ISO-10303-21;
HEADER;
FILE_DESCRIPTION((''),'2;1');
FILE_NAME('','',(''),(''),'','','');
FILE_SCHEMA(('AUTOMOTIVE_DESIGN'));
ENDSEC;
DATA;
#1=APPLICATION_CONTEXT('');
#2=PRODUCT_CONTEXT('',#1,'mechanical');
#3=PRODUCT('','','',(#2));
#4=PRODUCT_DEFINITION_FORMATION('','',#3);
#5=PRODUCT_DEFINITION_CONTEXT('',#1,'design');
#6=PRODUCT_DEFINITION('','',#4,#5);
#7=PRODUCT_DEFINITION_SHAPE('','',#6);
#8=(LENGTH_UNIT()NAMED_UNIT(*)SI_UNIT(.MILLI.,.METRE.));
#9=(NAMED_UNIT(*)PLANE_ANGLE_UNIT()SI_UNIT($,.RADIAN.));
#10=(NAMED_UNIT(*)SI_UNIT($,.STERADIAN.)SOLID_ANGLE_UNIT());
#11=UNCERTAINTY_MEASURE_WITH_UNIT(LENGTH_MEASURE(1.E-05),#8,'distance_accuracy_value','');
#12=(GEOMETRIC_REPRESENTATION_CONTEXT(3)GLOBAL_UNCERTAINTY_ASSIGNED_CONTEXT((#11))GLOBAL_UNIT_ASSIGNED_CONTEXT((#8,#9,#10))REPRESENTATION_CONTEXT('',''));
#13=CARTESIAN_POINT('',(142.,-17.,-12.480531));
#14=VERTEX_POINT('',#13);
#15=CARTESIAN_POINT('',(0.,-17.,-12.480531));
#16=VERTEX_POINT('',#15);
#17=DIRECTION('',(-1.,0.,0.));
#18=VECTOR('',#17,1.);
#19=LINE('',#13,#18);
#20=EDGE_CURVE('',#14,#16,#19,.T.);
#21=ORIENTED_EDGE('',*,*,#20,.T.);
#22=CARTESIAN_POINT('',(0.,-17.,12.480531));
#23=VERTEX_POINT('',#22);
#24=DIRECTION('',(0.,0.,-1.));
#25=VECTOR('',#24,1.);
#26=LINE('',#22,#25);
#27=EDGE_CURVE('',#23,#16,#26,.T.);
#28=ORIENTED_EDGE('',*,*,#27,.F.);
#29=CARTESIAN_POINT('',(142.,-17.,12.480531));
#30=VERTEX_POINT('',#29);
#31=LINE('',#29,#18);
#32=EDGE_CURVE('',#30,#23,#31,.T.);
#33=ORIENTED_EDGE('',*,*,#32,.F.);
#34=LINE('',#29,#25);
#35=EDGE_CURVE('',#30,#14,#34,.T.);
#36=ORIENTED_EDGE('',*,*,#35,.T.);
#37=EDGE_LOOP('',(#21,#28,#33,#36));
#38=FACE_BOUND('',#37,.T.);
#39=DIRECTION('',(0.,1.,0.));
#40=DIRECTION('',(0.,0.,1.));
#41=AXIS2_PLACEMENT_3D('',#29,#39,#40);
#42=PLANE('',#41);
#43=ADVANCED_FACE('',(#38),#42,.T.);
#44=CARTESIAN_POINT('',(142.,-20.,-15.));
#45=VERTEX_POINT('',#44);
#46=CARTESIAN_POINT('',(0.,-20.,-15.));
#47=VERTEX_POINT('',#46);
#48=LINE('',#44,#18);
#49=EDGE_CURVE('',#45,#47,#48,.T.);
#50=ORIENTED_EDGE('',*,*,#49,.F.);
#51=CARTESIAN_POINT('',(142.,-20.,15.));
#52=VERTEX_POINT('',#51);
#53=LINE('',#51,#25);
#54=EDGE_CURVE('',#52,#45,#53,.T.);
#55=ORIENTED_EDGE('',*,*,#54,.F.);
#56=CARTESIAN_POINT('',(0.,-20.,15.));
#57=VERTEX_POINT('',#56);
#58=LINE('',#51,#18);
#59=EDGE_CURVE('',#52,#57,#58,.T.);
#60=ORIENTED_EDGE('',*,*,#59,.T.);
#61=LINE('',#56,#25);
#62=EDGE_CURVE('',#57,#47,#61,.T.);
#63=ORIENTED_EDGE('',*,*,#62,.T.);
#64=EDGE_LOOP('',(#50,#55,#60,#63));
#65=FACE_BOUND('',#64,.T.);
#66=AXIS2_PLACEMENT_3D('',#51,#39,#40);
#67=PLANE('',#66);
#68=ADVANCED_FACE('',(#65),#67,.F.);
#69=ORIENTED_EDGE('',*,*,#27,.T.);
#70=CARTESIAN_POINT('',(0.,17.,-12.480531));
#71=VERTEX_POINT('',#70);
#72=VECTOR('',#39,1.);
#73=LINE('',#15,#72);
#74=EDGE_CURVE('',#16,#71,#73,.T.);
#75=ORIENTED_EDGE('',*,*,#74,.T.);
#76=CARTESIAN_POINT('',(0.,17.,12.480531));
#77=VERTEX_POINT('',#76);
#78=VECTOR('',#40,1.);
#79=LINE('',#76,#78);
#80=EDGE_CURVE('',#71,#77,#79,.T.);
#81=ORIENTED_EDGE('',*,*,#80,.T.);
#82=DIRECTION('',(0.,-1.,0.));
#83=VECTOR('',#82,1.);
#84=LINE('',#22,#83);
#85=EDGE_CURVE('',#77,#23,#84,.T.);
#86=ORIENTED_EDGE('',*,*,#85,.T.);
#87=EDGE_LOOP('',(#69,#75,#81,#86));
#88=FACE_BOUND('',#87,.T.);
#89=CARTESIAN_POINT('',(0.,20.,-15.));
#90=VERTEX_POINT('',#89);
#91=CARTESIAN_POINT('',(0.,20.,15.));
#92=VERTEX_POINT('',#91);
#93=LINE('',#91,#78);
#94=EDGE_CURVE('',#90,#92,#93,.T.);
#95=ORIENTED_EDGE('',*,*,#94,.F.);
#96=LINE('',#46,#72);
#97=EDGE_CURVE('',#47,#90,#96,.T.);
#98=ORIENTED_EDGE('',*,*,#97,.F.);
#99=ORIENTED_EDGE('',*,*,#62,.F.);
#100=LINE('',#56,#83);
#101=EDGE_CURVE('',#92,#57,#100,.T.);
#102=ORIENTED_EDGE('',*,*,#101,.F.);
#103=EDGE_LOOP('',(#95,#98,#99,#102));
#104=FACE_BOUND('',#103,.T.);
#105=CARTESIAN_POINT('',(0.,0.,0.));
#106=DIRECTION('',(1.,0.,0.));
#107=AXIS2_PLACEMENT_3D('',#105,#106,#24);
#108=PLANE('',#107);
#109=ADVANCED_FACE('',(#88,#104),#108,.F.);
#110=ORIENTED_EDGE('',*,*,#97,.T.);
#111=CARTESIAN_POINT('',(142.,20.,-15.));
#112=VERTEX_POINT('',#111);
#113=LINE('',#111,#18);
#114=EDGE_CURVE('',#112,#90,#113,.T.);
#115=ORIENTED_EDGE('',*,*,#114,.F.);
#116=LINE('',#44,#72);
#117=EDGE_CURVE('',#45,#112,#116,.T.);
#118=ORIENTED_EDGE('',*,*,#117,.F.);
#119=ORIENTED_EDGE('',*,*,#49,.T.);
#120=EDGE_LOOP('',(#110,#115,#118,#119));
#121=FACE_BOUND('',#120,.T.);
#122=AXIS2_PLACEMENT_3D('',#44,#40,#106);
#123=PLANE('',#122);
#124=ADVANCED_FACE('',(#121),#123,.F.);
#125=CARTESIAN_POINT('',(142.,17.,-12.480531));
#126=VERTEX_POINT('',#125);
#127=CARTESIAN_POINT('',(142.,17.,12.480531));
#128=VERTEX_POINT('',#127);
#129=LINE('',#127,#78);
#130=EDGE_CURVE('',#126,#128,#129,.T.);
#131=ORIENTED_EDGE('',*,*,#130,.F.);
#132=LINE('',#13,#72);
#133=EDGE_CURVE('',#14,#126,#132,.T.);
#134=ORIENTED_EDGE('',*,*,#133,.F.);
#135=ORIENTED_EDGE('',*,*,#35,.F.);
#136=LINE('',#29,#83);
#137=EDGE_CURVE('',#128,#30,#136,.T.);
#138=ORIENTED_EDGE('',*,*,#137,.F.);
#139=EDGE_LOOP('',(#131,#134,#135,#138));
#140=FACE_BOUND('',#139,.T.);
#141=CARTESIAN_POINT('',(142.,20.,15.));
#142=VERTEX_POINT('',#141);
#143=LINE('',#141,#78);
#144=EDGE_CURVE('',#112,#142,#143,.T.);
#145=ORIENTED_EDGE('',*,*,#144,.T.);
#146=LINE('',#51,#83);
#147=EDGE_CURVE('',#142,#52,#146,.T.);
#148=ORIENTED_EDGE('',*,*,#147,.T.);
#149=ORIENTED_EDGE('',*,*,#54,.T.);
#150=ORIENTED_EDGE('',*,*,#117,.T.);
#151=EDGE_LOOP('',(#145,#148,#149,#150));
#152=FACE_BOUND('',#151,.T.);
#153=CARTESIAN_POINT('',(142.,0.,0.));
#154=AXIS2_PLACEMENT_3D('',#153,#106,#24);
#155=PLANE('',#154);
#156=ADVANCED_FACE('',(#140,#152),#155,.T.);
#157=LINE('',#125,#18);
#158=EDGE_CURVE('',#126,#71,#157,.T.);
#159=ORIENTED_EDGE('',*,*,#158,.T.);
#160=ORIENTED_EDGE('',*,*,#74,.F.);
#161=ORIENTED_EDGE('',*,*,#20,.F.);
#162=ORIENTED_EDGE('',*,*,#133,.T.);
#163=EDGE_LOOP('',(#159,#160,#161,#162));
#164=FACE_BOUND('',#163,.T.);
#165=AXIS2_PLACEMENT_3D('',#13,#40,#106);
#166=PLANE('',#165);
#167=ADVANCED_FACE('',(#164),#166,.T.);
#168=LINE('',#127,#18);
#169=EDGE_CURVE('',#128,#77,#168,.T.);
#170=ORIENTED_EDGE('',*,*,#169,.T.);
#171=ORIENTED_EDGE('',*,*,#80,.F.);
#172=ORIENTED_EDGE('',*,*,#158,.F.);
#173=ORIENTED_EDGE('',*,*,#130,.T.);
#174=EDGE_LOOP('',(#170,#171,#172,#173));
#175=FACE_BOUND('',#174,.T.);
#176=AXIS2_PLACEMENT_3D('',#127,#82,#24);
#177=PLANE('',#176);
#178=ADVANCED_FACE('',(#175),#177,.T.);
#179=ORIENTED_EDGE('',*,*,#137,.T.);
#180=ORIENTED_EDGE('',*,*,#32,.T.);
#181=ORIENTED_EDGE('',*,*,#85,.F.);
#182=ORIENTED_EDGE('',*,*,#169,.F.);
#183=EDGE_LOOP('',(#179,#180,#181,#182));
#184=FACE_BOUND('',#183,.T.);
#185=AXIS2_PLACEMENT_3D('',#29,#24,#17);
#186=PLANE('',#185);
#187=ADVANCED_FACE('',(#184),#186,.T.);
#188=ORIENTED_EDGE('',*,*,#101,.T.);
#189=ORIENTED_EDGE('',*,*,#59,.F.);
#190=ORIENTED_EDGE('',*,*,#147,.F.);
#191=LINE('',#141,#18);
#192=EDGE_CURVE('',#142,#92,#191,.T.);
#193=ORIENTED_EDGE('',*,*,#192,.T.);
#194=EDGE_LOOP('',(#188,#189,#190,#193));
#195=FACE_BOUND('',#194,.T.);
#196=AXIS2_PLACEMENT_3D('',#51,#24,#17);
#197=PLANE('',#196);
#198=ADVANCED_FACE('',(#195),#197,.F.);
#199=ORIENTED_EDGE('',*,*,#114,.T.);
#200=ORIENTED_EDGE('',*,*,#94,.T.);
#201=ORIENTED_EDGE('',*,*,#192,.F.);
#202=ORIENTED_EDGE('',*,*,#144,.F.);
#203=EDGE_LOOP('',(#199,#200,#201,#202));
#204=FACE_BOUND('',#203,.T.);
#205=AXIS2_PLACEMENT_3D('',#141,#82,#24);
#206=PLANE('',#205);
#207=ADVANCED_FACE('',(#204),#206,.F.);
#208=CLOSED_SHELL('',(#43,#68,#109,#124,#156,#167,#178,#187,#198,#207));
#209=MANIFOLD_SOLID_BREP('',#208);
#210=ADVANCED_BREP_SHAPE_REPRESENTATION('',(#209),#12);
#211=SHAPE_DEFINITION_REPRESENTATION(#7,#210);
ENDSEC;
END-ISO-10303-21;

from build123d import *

# Parameters (mm, degrees)
CROQUIS1_W              = 30
CROQUIS1_H              = 40
CROQUIS1_W_2            = 24.961062678
CROQUIS1_H_2            = 34
SALIENTE_EXTRUIR1_DEPTH = 142


with BuildPart() as part:
    # Croquis1 → Saliente-Extruir1 (new body)
    with BuildSketch(Plane(origin=(0, 0, 0), x_dir=(0, 0, -1), z_dir=(1, 0, 0))):
        Rectangle(CROQUIS1_W, CROQUIS1_H)
        Rectangle(CROQUIS1_W_2, CROQUIS1_H_2, mode=Mode.SUBTRACT)
    extrude(amount=SALIENTE_EXTRUIR1_DEPTH)


solid = part.part
